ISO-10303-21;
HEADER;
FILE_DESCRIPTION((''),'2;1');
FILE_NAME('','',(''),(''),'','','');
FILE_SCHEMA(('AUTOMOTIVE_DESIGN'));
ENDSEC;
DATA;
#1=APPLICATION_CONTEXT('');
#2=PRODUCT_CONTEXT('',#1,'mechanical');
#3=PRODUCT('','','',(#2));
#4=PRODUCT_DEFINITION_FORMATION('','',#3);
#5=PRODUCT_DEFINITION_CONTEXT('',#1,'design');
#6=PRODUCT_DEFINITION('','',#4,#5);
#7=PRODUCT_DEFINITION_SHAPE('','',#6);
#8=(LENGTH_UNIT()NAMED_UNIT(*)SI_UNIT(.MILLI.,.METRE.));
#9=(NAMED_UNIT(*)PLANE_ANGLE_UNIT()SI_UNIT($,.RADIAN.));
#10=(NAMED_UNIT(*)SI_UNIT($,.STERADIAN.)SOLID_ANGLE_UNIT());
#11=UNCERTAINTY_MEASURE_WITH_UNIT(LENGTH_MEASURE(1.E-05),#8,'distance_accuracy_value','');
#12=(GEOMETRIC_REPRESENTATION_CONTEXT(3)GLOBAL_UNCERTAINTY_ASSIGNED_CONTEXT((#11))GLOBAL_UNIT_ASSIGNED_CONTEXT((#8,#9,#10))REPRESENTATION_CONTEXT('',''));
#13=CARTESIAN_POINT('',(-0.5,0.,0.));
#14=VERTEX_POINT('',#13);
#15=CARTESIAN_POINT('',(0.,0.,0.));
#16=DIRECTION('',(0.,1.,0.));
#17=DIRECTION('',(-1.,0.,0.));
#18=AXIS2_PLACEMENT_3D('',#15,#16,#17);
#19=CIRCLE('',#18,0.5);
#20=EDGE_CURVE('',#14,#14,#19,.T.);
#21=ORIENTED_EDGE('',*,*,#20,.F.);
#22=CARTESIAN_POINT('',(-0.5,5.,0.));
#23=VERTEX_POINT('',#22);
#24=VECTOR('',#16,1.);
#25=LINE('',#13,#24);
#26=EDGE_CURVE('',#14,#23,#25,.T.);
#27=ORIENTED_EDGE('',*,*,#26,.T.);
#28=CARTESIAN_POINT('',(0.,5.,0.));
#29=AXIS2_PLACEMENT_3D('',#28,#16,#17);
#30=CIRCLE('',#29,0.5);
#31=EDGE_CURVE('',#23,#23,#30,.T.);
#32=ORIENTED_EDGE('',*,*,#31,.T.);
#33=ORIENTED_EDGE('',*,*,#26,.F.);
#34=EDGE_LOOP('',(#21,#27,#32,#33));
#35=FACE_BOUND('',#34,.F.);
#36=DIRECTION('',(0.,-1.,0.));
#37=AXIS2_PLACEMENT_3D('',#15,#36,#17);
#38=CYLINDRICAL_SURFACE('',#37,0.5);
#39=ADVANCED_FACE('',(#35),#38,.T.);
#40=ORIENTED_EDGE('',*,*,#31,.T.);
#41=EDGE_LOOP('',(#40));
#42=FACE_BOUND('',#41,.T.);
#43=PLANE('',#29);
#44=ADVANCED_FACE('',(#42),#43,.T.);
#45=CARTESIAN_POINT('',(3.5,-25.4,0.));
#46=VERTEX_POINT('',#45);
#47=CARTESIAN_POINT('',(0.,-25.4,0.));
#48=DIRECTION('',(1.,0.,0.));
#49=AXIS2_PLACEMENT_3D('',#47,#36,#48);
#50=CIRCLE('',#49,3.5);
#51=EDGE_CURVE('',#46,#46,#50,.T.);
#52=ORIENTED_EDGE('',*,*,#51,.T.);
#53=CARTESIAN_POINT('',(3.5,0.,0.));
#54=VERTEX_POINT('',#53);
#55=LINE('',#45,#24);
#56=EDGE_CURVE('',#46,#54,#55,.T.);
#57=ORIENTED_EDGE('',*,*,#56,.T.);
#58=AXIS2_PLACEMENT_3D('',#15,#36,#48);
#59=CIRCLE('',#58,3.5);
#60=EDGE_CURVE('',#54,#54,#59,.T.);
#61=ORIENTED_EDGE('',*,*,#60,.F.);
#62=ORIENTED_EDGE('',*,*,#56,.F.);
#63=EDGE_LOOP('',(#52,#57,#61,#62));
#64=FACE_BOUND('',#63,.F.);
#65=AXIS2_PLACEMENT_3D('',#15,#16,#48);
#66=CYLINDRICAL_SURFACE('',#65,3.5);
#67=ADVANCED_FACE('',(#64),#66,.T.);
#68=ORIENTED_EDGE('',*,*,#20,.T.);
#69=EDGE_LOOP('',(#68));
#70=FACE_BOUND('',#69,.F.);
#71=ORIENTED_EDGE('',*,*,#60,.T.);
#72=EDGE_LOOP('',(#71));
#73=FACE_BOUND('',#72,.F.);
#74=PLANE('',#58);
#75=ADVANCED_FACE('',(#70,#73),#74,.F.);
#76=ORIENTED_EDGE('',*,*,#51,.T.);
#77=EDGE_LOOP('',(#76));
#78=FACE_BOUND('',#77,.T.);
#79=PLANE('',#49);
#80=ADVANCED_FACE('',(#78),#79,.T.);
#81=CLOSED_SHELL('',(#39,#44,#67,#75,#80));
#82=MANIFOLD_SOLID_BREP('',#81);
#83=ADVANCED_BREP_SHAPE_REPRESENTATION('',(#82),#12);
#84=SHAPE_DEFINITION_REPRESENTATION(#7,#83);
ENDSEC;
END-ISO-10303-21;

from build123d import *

# Parameters (mm, degrees)
F1_R     = 3.5
F2_DEPTH = 15
F3_R     = 0.5
F4_DEPTH = 5
F0_R     = 3.5
F5_DEPTH = 25.4
F6_R     = 0.5
F7_DEPTH = 5


with BuildPart() as f2:
    # F1 (on face) → F2 (new body)
    with BuildSketch(Plane.XZ):
        Circle(F1_R)
    extrude(amount=F2_DEPTH)

    # F3 (on face) → F4 (join)
    with BuildSketch(Plane.XZ):
        Circle(F3_R)
    extrude(amount=F4_DEPTH)

    # F0 (on Front) → F5 (join)
    with BuildSketch(Plane.XZ):
        Circle(F0_R)
    extrude(amount=F5_DEPTH)

    # F6 (on face) → F7 (join)
    with BuildSketch(Plane(origin=(0, 0, 0), x_dir=(-1, 0, 0), z_dir=(0, 1, 0))):
        Circle(F6_R)
    extrude(amount=F7_DEPTH)


solid = f2.part
